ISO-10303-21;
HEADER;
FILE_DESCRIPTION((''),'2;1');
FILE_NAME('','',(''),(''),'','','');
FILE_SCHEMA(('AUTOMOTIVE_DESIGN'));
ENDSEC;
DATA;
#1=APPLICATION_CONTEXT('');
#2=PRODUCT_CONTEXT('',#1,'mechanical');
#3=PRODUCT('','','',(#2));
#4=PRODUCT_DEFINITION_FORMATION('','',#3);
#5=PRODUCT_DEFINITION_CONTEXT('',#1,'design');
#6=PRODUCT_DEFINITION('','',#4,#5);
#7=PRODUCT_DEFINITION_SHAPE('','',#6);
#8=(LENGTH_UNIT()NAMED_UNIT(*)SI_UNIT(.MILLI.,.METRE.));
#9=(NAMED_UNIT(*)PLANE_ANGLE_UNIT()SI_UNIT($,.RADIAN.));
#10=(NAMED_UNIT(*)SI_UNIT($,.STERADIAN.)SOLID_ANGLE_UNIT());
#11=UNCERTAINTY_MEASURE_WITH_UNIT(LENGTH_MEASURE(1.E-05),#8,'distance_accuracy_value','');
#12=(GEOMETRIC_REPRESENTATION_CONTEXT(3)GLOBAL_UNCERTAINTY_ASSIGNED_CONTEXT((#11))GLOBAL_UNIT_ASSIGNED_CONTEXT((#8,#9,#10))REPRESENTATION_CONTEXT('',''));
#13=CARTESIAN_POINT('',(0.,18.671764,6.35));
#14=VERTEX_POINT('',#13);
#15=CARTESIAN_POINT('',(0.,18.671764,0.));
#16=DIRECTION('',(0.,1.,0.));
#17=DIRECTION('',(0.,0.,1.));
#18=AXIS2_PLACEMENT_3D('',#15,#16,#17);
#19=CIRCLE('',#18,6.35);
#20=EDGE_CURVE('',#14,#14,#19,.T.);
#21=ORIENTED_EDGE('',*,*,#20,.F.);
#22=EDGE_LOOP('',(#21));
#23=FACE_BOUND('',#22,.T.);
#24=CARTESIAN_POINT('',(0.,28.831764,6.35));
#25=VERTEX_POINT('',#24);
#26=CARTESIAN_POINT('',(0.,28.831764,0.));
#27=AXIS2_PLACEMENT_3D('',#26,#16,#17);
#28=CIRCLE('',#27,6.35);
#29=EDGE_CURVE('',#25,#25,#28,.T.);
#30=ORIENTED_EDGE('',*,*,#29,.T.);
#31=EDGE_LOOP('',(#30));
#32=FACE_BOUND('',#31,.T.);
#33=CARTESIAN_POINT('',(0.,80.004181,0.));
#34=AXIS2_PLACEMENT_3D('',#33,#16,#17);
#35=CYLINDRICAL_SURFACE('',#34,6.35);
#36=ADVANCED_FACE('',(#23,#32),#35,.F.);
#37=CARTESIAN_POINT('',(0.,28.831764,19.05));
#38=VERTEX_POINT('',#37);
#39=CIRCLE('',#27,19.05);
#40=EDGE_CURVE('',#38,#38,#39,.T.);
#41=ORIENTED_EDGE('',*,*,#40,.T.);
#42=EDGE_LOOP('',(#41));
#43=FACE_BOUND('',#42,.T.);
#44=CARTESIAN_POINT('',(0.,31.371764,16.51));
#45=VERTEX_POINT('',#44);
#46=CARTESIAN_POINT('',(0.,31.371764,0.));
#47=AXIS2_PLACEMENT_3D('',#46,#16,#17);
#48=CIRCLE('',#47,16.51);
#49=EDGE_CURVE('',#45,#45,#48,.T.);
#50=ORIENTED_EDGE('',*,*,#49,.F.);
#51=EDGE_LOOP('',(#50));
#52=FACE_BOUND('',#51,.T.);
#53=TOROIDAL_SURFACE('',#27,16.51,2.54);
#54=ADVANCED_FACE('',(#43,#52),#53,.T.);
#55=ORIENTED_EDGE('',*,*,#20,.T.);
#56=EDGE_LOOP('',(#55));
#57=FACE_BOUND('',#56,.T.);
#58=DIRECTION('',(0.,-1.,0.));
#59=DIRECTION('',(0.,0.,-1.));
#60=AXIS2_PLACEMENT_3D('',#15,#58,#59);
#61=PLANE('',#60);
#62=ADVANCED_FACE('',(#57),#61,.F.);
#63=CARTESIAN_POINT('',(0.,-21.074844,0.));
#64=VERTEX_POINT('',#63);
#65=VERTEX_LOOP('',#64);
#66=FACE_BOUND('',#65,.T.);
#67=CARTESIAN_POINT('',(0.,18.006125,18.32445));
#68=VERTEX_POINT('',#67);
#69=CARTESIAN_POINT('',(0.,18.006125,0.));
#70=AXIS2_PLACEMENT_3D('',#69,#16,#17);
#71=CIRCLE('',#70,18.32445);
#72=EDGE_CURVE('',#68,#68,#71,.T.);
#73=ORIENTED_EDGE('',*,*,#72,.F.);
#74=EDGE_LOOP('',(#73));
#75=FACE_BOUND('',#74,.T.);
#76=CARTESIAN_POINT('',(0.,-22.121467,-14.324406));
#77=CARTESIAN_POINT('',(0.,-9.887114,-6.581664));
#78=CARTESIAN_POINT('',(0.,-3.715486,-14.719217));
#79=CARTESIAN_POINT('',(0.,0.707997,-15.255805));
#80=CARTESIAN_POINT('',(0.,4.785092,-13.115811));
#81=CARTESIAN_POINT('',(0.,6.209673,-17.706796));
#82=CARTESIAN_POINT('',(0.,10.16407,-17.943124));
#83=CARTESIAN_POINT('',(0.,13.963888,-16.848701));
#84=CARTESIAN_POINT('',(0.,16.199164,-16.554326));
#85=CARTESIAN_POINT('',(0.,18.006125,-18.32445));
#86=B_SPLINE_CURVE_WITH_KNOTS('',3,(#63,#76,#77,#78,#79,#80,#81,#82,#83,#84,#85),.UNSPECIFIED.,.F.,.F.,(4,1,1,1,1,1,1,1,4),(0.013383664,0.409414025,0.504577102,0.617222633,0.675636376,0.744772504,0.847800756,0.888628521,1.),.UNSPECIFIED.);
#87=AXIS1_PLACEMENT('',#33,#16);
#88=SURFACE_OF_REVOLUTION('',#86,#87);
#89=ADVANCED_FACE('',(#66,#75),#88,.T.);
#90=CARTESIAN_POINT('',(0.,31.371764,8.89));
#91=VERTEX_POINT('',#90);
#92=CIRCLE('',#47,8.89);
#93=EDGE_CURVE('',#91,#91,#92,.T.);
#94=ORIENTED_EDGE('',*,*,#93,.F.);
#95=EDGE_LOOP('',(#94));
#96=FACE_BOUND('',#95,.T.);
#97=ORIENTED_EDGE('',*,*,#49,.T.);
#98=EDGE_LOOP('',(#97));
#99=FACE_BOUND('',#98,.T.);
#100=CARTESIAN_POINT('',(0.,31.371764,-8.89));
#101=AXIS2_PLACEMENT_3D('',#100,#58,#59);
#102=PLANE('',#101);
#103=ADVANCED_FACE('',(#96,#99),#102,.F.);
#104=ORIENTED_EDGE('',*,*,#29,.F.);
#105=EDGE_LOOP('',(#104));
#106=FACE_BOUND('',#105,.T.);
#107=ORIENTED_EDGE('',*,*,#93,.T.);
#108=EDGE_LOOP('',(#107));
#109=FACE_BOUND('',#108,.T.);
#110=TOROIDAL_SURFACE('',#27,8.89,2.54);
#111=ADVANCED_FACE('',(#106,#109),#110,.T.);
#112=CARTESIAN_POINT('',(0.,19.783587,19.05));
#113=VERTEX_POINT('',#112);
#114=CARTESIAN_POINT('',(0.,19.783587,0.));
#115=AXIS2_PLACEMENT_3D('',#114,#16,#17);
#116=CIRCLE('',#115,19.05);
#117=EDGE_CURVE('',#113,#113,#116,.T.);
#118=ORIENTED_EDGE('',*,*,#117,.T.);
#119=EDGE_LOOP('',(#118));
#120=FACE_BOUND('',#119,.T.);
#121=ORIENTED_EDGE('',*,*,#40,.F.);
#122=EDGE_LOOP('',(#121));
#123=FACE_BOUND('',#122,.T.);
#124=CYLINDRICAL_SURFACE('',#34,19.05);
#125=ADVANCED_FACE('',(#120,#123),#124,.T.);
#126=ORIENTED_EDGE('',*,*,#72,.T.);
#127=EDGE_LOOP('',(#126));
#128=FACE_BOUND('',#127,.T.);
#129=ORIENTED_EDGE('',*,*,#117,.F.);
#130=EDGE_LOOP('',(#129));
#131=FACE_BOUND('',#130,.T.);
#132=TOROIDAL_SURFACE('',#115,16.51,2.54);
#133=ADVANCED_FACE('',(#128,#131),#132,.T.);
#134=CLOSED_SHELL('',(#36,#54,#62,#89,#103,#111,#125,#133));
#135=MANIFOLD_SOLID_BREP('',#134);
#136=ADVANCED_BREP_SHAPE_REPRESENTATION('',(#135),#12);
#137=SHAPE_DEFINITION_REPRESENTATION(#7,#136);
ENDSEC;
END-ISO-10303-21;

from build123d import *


with BuildPart() as part:
    # Sketch2 → Revolve1 (revolve)
    with BuildSketch(Plane(origin=(0, 0, 0), x_dir=(0, 0, -1), z_dir=(1, 0, 0)), mode=Mode.PRIVATE) as revolve1_sk:
        with BuildLine():
            Line((0, 0), (0, 18.671764032))
            Line((0, 18.671764032), (6.35, 18.671764032))
            Line((6.35, 18.671764032), (6.35, 28.831764032))
            ThreePointArc((6.35, 28.831764032), (7.093948776, 30.627815256), (8.89, 31.371764032))
            Line((8.89, 31.371764032), (16.51, 31.371764032))
            ThreePointArc((16.51, 31.371764032), (18.306051224, 30.627815256), (19.05, 28.831764032))
            Line((19.05, 28.831764032), (19.05, 19.783586538))
            ThreePointArc((19.05, 19.783586538), (18.861627544, 18.823665763), (18.324450478, 18.006125016))
            add(Edge.make_bspline(
                [(18.324450478, 18.006125016), (16.554325637, 16.199163894), (16.848701293, 13.963887666), (17.943123957, 10.164070416), (17.706795968, 6.209672719), (13.115810786, 4.785092209), (15.25580492, 0.707996921), (14.719217473, -3.715486091), (6.581664428, -9.88711356), (14.324406115, -22.121467329), (0, -21.074843533)],
                knots=[0.013383664, 0.013383664, 0.013383664, 0.013383664, 0.124755143, 0.165582908, 0.26861116, 0.337747288, 0.396161031, 0.508806563, 0.603969639, 1, 1, 1, 1], degree=3))
            Line((0, -21.074843533), (0, 0))
        make_face()
    revolve(revolve1_sk.sketch.rotate(Axis((0, 80.004180985, 0), (0, -1, 0)), 180), axis=Axis((0, 80.004180985, 0), (0, -1, 0)))  # turned: the seam where the file's is


solid = part.part
